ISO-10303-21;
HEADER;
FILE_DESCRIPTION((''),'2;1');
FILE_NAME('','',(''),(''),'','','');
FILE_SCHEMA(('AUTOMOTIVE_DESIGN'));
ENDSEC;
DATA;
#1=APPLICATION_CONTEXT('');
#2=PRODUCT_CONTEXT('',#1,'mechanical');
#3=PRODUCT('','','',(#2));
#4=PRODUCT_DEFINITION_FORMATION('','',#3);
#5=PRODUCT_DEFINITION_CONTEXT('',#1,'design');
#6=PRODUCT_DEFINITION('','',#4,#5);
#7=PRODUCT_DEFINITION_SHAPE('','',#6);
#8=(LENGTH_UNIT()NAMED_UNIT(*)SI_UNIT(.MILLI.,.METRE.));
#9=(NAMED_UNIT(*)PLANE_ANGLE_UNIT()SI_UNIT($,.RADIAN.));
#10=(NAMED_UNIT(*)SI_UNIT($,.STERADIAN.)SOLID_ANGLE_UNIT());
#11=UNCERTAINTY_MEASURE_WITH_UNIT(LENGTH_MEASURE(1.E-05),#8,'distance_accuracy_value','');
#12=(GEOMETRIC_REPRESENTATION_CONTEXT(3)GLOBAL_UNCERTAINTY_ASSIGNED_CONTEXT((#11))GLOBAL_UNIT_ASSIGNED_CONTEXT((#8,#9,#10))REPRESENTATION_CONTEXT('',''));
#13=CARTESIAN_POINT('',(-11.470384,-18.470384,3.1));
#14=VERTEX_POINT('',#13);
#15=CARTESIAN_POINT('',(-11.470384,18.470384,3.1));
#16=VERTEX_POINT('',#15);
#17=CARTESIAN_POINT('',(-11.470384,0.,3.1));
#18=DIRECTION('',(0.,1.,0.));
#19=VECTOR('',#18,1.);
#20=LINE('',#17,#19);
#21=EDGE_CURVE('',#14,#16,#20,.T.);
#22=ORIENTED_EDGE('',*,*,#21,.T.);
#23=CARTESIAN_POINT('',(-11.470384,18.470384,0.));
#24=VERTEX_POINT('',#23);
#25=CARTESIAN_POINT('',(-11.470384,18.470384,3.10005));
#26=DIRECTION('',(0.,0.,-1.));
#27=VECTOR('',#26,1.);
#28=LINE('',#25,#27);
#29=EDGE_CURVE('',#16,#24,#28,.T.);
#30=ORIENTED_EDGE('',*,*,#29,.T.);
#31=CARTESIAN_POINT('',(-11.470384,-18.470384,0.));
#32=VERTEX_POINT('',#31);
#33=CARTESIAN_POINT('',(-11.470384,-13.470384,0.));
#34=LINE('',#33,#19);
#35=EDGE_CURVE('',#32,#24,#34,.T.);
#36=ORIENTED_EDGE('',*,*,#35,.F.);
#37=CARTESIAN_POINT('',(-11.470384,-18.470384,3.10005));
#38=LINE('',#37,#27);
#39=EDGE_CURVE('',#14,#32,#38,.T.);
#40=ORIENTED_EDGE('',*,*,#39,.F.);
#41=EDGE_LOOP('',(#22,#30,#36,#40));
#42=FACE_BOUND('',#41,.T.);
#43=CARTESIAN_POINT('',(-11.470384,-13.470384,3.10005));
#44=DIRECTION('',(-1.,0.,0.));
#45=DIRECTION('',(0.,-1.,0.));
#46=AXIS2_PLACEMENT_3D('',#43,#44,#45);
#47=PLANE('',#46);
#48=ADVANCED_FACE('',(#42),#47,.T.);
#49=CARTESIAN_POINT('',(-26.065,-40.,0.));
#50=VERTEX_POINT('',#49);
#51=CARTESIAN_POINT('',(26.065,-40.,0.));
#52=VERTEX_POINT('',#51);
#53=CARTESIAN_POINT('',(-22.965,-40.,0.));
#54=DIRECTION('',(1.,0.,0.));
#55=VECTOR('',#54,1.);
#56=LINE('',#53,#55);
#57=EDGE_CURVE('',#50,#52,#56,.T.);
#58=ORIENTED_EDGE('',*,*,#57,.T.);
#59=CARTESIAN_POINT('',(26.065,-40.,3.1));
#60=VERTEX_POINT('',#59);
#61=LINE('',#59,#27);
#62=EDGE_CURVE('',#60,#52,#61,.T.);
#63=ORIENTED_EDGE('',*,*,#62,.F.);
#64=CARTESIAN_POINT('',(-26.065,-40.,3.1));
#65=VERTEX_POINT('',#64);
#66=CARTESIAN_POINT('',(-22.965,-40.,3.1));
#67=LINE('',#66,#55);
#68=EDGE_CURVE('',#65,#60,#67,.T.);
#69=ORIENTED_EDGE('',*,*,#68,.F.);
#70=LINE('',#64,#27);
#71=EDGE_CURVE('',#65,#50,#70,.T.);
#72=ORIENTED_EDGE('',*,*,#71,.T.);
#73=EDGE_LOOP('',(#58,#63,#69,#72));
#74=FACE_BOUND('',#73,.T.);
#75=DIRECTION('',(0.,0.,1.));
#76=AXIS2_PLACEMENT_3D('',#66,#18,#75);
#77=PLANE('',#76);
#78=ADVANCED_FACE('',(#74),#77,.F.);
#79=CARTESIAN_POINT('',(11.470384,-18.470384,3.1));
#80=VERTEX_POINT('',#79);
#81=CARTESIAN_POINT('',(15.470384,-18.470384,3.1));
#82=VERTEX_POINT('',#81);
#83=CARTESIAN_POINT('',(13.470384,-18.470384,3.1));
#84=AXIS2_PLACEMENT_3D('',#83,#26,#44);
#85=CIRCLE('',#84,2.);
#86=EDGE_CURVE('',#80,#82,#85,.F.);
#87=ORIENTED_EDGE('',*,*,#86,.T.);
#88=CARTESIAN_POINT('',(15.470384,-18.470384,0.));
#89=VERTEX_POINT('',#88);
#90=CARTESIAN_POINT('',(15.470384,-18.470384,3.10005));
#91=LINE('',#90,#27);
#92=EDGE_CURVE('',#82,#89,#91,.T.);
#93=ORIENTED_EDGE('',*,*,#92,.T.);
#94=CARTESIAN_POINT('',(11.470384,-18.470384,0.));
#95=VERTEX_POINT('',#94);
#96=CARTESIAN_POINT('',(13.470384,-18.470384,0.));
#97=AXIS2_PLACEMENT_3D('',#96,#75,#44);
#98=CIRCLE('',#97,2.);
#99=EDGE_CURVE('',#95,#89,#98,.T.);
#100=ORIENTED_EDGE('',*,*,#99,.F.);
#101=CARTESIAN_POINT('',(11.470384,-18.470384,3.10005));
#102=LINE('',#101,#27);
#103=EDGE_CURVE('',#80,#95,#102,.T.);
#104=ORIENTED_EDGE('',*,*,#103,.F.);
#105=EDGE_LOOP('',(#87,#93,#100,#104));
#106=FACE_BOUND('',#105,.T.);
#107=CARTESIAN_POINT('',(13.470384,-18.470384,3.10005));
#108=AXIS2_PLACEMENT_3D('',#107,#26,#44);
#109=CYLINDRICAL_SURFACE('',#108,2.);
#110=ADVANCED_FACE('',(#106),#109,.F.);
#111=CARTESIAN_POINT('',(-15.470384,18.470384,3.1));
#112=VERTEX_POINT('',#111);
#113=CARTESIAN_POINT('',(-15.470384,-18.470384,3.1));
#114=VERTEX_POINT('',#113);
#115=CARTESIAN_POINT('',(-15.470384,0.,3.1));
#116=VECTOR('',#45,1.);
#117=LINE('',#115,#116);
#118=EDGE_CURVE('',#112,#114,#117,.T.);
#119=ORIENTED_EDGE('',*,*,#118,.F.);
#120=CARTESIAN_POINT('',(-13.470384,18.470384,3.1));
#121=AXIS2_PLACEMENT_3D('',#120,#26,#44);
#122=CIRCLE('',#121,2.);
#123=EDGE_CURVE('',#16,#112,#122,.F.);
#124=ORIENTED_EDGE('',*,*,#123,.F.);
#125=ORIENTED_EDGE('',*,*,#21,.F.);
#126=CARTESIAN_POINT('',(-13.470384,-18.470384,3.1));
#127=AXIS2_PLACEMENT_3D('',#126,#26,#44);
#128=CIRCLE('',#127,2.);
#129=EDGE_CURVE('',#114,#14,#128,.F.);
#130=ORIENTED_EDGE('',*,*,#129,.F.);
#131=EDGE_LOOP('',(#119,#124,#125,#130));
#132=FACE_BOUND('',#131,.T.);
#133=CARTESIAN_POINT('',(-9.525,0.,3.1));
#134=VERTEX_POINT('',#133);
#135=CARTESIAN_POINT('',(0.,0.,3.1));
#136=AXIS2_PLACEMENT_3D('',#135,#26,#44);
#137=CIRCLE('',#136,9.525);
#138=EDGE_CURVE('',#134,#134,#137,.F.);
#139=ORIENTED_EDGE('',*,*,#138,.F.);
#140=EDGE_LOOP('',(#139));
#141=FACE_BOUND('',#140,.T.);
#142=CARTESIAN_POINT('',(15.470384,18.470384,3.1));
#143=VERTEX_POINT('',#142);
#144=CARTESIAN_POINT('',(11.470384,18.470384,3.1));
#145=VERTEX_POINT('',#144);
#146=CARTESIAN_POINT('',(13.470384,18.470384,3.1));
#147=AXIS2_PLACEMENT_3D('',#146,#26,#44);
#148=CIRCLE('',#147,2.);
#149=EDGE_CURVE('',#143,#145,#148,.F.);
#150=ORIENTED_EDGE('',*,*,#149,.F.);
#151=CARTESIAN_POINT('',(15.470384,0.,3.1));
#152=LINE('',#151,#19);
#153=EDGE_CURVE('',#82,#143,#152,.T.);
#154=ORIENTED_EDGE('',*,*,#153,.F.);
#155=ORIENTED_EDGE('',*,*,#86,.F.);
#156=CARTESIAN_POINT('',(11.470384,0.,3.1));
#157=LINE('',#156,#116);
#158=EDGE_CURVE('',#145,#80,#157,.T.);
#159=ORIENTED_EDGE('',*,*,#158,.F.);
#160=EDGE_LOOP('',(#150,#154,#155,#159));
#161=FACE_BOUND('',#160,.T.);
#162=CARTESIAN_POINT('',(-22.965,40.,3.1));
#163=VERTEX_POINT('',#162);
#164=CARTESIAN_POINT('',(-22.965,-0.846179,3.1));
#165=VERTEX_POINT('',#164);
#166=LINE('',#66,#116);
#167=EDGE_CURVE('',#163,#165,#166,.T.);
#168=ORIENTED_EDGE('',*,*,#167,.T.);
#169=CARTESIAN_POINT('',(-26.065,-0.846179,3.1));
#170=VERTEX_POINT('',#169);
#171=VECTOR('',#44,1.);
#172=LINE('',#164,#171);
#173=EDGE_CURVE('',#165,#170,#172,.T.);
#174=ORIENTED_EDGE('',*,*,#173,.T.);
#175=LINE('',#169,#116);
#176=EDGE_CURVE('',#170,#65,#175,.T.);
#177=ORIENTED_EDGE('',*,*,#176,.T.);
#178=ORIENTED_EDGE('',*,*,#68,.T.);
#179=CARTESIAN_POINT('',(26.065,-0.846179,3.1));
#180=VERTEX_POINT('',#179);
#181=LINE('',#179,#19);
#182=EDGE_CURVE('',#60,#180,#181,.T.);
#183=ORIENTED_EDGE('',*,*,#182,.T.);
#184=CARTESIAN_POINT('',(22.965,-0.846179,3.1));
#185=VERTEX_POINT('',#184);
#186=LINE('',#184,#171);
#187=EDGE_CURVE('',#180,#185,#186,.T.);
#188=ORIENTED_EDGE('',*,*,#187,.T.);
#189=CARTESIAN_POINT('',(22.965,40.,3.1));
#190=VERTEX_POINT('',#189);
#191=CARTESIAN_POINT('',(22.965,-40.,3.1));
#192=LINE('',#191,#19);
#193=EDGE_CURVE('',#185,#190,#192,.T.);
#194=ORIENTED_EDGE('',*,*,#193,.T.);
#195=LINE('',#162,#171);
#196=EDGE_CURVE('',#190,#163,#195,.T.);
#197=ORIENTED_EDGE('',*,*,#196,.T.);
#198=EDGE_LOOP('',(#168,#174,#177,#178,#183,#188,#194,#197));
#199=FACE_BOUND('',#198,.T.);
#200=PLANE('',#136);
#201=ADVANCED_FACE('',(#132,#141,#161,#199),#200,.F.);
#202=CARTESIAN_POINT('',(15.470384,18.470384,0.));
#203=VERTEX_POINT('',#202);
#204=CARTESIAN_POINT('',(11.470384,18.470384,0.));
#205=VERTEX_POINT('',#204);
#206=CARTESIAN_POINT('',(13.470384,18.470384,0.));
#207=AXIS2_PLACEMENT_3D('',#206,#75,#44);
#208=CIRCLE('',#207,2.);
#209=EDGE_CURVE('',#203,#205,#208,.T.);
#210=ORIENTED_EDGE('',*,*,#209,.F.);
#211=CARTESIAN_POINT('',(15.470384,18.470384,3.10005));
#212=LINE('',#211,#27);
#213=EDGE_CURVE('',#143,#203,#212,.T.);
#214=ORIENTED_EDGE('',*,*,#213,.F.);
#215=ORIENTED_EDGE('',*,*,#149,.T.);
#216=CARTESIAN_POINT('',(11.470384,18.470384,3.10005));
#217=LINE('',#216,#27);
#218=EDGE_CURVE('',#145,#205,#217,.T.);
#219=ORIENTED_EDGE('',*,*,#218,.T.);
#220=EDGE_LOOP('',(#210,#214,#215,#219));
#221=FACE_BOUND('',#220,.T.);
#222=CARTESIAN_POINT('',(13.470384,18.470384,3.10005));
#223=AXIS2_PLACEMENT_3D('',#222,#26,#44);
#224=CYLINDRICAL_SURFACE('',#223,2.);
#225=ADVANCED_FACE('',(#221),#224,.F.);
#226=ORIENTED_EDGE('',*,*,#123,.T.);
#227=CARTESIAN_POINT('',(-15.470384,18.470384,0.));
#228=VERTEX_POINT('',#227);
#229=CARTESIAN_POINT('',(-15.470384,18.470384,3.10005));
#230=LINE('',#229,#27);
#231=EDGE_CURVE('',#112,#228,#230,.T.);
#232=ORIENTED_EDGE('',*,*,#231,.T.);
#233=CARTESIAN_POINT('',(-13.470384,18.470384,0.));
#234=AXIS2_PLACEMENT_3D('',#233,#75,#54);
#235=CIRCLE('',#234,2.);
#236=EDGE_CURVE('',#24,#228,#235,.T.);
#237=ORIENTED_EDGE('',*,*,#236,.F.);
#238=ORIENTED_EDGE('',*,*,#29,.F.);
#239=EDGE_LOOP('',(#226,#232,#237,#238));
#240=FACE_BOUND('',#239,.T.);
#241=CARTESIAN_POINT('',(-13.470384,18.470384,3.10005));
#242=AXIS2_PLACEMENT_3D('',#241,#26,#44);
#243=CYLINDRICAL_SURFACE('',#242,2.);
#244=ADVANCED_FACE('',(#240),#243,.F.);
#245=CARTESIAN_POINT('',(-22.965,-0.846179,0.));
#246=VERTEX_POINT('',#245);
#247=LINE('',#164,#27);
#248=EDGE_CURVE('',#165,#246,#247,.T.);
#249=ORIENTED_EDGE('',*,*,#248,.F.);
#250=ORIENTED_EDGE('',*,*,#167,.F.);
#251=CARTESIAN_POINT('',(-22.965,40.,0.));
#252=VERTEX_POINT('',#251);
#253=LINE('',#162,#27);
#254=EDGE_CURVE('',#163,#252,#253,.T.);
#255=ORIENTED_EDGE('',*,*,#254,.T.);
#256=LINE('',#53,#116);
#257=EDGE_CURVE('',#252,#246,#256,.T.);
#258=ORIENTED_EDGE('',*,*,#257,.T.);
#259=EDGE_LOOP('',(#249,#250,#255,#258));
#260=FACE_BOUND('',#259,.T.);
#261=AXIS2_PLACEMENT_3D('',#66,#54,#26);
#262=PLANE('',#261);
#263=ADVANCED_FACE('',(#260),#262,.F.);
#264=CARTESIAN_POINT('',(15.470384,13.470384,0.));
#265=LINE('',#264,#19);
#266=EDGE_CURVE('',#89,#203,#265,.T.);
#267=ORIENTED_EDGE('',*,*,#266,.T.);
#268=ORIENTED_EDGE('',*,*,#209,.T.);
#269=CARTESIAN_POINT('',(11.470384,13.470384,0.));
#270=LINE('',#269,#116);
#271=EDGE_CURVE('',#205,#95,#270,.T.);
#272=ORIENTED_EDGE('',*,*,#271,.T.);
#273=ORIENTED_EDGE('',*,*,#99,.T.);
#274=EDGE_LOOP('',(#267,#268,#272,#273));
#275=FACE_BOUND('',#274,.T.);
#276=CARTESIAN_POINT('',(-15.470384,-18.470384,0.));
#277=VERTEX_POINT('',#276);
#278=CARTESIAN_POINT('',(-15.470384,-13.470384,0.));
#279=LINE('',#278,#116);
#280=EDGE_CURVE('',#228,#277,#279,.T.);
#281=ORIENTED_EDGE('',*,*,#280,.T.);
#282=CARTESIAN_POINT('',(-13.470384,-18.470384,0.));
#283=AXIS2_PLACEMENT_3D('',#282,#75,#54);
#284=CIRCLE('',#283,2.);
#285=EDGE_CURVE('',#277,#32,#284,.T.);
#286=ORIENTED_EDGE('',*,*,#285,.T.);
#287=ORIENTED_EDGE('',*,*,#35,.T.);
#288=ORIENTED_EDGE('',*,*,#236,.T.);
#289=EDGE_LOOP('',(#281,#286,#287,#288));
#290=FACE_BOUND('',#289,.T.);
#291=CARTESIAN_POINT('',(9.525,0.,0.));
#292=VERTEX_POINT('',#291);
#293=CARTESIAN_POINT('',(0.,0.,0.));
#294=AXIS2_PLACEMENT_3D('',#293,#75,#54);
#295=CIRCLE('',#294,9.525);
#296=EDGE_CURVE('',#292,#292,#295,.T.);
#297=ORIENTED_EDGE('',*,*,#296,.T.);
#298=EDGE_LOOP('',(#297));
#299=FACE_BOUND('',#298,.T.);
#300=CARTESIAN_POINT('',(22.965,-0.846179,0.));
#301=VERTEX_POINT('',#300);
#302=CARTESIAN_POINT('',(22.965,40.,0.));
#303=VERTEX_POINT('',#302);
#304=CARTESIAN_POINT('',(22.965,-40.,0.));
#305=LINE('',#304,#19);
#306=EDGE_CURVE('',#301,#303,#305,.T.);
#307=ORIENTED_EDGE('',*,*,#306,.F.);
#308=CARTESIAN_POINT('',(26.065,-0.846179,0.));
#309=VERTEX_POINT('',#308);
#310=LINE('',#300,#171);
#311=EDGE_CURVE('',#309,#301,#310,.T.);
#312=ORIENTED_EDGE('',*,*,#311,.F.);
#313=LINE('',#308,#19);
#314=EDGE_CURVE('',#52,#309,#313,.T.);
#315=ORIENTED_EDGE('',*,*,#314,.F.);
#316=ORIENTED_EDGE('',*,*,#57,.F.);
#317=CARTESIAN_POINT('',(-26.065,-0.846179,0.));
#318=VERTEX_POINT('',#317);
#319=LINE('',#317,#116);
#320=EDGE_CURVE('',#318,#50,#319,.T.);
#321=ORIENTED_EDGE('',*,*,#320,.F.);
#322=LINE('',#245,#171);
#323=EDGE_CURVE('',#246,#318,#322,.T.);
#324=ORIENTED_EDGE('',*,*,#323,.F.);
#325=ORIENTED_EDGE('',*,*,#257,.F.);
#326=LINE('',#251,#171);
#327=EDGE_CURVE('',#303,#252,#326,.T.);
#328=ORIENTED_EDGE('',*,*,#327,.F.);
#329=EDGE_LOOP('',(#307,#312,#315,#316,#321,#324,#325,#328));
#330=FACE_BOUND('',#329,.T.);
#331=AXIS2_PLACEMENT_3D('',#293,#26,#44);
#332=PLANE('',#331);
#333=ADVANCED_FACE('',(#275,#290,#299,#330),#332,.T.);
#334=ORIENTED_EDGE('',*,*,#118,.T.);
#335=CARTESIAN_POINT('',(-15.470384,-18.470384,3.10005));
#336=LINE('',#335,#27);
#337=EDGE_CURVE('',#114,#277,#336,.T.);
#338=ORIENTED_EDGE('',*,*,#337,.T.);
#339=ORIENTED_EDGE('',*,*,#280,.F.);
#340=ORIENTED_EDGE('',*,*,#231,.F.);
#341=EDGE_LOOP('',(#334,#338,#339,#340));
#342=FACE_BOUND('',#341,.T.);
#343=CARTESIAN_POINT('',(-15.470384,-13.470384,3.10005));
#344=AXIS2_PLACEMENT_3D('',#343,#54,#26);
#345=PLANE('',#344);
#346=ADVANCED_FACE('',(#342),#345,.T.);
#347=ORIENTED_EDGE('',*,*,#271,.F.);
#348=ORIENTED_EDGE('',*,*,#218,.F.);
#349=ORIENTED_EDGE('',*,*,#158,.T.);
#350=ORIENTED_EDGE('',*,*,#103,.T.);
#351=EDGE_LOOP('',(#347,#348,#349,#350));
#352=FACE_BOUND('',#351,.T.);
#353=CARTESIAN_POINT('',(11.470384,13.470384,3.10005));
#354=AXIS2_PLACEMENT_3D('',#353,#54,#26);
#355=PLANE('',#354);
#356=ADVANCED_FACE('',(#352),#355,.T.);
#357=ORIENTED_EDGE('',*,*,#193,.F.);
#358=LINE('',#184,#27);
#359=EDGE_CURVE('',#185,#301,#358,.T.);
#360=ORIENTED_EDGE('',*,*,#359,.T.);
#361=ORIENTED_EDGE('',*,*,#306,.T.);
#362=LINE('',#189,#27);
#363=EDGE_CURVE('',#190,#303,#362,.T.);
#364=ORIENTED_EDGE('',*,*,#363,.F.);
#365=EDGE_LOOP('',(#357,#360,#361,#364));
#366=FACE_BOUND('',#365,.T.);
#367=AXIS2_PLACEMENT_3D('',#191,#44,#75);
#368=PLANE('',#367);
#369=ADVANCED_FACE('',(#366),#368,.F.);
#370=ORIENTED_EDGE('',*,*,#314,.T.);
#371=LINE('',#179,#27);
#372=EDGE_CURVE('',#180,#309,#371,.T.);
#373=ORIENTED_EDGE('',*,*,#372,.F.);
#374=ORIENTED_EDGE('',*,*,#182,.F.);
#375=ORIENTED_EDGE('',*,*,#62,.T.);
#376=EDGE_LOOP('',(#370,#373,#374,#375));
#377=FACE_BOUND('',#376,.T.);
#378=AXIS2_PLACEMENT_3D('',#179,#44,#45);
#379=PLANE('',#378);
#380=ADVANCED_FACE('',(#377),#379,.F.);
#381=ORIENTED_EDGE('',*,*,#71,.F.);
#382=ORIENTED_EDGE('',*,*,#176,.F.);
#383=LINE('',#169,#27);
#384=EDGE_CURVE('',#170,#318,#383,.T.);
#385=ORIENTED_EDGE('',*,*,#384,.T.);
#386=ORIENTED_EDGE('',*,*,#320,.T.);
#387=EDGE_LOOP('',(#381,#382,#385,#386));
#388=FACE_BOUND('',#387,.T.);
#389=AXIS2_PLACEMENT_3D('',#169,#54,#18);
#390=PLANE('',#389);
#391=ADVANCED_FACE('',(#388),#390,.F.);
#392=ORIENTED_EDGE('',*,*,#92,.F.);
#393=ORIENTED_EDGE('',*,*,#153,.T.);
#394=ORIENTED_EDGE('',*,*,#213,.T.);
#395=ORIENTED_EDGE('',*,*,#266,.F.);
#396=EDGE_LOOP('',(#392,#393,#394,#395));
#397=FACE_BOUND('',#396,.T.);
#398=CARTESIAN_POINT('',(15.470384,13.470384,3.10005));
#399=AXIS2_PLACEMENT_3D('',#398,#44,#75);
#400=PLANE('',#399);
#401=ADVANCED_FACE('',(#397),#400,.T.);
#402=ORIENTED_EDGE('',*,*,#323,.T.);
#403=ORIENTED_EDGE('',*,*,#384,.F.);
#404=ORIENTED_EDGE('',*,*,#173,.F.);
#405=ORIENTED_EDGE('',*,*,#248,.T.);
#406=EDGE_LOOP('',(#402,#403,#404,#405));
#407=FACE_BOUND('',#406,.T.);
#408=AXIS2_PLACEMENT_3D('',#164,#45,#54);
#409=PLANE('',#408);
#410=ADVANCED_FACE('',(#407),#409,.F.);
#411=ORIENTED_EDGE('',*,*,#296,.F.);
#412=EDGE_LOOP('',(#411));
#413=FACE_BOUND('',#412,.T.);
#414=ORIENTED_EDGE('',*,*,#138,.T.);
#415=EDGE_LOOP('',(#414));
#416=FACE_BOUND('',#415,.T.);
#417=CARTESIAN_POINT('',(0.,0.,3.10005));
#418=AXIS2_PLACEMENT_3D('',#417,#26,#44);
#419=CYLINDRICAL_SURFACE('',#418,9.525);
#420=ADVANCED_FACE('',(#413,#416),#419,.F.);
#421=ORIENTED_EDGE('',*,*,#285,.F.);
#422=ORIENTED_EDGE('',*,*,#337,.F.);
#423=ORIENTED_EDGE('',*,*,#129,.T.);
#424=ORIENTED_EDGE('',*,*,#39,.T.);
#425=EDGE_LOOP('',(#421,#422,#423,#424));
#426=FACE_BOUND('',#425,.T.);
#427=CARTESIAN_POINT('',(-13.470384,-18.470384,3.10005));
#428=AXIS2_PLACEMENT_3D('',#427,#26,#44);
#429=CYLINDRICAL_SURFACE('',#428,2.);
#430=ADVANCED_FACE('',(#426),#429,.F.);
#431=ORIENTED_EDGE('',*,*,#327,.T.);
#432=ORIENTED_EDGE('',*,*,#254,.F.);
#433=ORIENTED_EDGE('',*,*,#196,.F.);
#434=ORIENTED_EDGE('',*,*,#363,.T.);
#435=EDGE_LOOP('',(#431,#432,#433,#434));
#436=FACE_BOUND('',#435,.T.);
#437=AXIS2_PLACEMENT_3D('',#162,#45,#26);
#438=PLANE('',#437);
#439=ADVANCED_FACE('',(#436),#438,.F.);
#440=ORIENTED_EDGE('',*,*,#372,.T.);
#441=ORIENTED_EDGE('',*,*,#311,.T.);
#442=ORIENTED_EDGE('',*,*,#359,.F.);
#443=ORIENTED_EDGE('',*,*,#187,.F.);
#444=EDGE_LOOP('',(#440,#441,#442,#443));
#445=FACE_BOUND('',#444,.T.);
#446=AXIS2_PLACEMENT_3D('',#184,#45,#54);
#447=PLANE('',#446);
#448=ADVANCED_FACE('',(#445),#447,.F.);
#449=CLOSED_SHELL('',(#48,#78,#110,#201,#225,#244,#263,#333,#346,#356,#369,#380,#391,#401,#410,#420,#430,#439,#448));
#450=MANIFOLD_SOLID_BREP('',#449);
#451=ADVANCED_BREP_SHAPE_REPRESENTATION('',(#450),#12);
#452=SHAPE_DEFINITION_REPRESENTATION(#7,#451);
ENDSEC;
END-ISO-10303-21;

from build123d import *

# Parameters (mm, degrees)
SKETCH5_W           = 45.93
SKETCH5_H           = 80
BOSS_EXTRUDE5_DEPTH = 3.1
SKETCH6_W           = 3.1
SKETCH6_H           = 39.153821237
BOSS_EXTRUDE6_DEPTH = 3.1
SKETCH7_R           = 9.525
CUT_EXTRUDE2_DEPTH  = 4.1


with BuildPart() as part:
    # Sketch5 → Boss-Extrude5 (new body)
    with BuildSketch(Plane.XY):
        Rectangle(SKETCH5_W, SKETCH5_H)
    extrude(amount=BOSS_EXTRUDE5_DEPTH)

    # Sketch6 → Boss-Extrude6 (add, through all)
    with BuildSketch(Plane.XY):
        with Locations((24.515, -20.423089381)):
            Rectangle(SKETCH6_W, SKETCH6_H)
        with Locations((-24.515, -20.423089381)):
            Rectangle(SKETCH6_W, SKETCH6_H)
    extrude(amount=BOSS_EXTRUDE6_DEPTH)

    # Sketch7 → Cut-Extrude2 (cut, through all)
    with BuildSketch(Plane.XY):
        Circle(SKETCH7_R)
        with BuildLine():
            Line((-15.470384182, 13.470384182), (-15.470384182, -13.470384182))
            Line((-15.470384182, -13.470384182), (-15.470384182, -18.470384182))
            ThreePointArc((-15.470384182, -18.470384182), (-13.470384182, -20.470384182), (-11.470384182, -18.470384182))
            Line((-11.470384182, -18.470384182), (-11.470384182, -13.470384182))
            Line((-11.470384182, -13.470384182), (-11.470384182, 13.470384182))
            Line((-11.470384182, 13.470384182), (-11.470384182, 18.470384182))
            ThreePointArc((-11.470384182, 18.470384182), (-13.470384182, 20.470384182), (-15.470384182, 18.470384182))
            Line((-15.470384182, 18.470384182), (-15.470384182, 13.470384182))
        make_face()
        with BuildLine():
            Line((11.470384182, 13.470384182), (11.470384182, 18.470384182))
            ThreePointArc((11.470384182, 18.470384182), (13.470384182, 20.470384182), (15.470384182, 18.470384182))
            Line((15.470384182, 18.470384182), (15.470384182, 13.470384182))
            Line((15.470384182, 13.470384182), (15.470384182, -13.470384182))
            Line((15.470384182, -13.470384182), (15.470384182, -18.470384182))
            ThreePointArc((15.470384182, -18.470384182), (13.470384182, -20.470384182), (11.470384182, -18.470384182))
            Line((11.470384182, -18.470384182), (11.470384182, -13.470384182))
            Line((11.470384182, -13.470384182), (11.470384182, 13.470384182))
        make_face()
    extrude(amount=CUT_EXTRUDE2_DEPTH, mode=Mode.SUBTRACT)


solid = part.part
